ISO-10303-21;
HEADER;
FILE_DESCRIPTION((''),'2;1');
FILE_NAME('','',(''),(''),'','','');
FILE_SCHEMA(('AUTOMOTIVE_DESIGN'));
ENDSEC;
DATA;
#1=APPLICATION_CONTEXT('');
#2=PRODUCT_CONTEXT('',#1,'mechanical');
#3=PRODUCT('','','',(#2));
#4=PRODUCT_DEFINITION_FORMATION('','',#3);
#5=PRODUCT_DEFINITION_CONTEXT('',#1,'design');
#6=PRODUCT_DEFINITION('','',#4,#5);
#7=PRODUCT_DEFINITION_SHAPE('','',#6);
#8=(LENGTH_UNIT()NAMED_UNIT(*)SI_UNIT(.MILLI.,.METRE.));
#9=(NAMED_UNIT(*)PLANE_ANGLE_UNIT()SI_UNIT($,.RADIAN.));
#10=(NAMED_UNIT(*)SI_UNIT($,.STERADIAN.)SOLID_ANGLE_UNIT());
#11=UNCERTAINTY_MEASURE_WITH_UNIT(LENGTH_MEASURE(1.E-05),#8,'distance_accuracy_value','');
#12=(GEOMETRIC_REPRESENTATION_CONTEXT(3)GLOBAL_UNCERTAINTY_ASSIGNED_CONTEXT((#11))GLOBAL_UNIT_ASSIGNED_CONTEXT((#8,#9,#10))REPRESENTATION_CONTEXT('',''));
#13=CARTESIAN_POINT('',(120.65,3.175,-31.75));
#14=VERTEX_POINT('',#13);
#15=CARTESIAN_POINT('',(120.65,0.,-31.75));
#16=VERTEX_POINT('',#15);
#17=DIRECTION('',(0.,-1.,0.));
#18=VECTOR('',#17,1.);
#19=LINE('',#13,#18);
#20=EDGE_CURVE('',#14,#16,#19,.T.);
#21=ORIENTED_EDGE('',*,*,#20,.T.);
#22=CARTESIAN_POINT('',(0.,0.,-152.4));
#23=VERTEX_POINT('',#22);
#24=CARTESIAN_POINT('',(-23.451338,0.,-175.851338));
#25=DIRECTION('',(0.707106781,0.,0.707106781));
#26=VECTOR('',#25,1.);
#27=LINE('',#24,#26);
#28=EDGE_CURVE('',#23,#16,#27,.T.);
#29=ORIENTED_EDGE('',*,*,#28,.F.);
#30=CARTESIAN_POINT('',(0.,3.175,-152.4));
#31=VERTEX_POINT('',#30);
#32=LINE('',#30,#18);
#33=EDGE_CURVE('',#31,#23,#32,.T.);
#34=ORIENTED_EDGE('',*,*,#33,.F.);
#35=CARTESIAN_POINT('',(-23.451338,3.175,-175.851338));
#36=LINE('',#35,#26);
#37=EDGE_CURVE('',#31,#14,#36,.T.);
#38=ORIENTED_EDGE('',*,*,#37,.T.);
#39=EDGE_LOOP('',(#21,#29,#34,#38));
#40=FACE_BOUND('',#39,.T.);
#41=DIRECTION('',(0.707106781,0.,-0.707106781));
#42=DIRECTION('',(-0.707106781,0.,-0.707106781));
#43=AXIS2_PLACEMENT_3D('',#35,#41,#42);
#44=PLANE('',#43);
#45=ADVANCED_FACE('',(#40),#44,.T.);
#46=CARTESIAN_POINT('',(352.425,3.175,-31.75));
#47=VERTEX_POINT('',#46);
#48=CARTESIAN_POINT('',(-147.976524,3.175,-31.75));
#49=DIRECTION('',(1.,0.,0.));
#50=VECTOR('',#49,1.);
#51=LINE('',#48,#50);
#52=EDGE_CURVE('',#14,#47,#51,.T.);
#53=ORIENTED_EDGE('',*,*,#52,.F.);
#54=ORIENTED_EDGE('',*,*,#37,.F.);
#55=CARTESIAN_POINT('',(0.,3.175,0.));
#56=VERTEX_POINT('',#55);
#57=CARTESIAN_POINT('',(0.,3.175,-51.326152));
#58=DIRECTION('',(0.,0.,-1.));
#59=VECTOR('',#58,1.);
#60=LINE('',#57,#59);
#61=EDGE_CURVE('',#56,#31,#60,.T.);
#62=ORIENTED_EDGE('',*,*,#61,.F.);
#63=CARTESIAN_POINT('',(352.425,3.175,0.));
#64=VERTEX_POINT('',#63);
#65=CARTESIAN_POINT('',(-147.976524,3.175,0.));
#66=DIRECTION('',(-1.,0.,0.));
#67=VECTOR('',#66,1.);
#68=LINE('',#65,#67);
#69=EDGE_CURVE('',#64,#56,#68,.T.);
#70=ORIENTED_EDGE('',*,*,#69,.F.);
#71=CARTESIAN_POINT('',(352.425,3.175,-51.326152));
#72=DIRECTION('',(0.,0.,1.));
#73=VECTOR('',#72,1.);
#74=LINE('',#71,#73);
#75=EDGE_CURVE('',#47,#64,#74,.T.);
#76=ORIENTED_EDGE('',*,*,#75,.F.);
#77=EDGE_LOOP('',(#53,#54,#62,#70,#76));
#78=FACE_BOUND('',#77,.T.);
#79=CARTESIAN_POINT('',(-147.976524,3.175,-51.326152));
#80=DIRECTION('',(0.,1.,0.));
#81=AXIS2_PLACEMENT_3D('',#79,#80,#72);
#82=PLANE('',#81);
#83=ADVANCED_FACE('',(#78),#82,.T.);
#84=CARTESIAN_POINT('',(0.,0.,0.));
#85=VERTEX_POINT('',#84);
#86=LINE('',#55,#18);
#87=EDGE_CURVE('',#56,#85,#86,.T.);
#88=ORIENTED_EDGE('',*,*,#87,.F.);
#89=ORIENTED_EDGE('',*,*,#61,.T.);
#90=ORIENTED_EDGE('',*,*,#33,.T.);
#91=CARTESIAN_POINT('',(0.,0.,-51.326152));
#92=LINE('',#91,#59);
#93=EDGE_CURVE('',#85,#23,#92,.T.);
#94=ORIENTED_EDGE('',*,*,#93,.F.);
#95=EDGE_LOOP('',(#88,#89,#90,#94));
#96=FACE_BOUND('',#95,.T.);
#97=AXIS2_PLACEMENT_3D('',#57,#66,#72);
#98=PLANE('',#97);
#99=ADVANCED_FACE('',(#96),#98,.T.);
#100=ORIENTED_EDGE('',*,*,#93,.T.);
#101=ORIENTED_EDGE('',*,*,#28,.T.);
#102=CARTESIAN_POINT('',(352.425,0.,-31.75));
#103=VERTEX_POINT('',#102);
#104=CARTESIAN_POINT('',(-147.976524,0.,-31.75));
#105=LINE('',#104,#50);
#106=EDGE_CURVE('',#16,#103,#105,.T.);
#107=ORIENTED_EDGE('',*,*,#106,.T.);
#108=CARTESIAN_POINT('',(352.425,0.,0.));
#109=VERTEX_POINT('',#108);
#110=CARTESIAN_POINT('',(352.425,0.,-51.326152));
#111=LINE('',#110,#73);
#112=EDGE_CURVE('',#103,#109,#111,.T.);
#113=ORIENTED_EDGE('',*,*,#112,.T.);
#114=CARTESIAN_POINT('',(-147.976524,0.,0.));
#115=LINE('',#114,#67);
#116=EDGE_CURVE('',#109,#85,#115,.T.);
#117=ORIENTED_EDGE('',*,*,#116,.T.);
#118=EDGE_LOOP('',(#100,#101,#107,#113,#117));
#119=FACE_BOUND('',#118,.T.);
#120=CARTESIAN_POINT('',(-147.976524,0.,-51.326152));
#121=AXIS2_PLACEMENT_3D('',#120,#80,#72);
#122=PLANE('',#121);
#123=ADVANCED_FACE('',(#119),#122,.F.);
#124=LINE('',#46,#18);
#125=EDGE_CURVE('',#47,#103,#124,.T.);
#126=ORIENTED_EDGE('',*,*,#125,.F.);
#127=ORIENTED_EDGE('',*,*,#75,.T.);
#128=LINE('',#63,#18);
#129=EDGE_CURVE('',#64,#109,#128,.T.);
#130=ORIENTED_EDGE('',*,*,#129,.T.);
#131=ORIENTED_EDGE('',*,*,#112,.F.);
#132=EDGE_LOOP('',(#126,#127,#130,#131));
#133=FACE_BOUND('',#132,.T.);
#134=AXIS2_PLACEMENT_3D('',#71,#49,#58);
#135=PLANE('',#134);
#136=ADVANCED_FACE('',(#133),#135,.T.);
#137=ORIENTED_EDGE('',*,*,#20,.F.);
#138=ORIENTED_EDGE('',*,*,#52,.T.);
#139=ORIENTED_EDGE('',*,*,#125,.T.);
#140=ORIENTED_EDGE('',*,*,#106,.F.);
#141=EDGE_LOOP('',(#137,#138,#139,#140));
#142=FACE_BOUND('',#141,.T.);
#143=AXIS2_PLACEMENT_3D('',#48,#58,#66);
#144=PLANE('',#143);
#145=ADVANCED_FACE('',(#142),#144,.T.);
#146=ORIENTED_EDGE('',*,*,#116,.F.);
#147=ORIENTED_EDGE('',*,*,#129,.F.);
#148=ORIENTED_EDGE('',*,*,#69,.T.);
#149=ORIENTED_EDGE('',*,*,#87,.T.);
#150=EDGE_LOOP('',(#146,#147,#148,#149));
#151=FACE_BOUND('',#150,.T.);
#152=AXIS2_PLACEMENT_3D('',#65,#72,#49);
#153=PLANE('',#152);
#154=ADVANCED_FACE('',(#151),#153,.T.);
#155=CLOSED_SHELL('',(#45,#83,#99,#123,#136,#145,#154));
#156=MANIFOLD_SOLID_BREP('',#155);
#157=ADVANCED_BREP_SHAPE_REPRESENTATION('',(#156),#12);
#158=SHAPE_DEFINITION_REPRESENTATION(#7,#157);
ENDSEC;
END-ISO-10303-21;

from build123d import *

# Parameters (mm, degrees)
BOSS_EXTRUDE1_DEPTH = 3.175


with BuildPart() as part:
    # Sketch1 → Boss-Extrude1 (new body)
    with BuildSketch(Plane(origin=(0, 0, 0), x_dir=(1, 0, 0), z_dir=(0, 1, 0))):
        Polygon((152.4, 0), (0, 0), (0, 152.4), align=None)
        Polygon((120.65, 31.75), (152.4, 0), (352.425, 0), (352.425, 31.75), align=None)
    extrude(amount=BOSS_EXTRUDE1_DEPTH)


solid = part.part
